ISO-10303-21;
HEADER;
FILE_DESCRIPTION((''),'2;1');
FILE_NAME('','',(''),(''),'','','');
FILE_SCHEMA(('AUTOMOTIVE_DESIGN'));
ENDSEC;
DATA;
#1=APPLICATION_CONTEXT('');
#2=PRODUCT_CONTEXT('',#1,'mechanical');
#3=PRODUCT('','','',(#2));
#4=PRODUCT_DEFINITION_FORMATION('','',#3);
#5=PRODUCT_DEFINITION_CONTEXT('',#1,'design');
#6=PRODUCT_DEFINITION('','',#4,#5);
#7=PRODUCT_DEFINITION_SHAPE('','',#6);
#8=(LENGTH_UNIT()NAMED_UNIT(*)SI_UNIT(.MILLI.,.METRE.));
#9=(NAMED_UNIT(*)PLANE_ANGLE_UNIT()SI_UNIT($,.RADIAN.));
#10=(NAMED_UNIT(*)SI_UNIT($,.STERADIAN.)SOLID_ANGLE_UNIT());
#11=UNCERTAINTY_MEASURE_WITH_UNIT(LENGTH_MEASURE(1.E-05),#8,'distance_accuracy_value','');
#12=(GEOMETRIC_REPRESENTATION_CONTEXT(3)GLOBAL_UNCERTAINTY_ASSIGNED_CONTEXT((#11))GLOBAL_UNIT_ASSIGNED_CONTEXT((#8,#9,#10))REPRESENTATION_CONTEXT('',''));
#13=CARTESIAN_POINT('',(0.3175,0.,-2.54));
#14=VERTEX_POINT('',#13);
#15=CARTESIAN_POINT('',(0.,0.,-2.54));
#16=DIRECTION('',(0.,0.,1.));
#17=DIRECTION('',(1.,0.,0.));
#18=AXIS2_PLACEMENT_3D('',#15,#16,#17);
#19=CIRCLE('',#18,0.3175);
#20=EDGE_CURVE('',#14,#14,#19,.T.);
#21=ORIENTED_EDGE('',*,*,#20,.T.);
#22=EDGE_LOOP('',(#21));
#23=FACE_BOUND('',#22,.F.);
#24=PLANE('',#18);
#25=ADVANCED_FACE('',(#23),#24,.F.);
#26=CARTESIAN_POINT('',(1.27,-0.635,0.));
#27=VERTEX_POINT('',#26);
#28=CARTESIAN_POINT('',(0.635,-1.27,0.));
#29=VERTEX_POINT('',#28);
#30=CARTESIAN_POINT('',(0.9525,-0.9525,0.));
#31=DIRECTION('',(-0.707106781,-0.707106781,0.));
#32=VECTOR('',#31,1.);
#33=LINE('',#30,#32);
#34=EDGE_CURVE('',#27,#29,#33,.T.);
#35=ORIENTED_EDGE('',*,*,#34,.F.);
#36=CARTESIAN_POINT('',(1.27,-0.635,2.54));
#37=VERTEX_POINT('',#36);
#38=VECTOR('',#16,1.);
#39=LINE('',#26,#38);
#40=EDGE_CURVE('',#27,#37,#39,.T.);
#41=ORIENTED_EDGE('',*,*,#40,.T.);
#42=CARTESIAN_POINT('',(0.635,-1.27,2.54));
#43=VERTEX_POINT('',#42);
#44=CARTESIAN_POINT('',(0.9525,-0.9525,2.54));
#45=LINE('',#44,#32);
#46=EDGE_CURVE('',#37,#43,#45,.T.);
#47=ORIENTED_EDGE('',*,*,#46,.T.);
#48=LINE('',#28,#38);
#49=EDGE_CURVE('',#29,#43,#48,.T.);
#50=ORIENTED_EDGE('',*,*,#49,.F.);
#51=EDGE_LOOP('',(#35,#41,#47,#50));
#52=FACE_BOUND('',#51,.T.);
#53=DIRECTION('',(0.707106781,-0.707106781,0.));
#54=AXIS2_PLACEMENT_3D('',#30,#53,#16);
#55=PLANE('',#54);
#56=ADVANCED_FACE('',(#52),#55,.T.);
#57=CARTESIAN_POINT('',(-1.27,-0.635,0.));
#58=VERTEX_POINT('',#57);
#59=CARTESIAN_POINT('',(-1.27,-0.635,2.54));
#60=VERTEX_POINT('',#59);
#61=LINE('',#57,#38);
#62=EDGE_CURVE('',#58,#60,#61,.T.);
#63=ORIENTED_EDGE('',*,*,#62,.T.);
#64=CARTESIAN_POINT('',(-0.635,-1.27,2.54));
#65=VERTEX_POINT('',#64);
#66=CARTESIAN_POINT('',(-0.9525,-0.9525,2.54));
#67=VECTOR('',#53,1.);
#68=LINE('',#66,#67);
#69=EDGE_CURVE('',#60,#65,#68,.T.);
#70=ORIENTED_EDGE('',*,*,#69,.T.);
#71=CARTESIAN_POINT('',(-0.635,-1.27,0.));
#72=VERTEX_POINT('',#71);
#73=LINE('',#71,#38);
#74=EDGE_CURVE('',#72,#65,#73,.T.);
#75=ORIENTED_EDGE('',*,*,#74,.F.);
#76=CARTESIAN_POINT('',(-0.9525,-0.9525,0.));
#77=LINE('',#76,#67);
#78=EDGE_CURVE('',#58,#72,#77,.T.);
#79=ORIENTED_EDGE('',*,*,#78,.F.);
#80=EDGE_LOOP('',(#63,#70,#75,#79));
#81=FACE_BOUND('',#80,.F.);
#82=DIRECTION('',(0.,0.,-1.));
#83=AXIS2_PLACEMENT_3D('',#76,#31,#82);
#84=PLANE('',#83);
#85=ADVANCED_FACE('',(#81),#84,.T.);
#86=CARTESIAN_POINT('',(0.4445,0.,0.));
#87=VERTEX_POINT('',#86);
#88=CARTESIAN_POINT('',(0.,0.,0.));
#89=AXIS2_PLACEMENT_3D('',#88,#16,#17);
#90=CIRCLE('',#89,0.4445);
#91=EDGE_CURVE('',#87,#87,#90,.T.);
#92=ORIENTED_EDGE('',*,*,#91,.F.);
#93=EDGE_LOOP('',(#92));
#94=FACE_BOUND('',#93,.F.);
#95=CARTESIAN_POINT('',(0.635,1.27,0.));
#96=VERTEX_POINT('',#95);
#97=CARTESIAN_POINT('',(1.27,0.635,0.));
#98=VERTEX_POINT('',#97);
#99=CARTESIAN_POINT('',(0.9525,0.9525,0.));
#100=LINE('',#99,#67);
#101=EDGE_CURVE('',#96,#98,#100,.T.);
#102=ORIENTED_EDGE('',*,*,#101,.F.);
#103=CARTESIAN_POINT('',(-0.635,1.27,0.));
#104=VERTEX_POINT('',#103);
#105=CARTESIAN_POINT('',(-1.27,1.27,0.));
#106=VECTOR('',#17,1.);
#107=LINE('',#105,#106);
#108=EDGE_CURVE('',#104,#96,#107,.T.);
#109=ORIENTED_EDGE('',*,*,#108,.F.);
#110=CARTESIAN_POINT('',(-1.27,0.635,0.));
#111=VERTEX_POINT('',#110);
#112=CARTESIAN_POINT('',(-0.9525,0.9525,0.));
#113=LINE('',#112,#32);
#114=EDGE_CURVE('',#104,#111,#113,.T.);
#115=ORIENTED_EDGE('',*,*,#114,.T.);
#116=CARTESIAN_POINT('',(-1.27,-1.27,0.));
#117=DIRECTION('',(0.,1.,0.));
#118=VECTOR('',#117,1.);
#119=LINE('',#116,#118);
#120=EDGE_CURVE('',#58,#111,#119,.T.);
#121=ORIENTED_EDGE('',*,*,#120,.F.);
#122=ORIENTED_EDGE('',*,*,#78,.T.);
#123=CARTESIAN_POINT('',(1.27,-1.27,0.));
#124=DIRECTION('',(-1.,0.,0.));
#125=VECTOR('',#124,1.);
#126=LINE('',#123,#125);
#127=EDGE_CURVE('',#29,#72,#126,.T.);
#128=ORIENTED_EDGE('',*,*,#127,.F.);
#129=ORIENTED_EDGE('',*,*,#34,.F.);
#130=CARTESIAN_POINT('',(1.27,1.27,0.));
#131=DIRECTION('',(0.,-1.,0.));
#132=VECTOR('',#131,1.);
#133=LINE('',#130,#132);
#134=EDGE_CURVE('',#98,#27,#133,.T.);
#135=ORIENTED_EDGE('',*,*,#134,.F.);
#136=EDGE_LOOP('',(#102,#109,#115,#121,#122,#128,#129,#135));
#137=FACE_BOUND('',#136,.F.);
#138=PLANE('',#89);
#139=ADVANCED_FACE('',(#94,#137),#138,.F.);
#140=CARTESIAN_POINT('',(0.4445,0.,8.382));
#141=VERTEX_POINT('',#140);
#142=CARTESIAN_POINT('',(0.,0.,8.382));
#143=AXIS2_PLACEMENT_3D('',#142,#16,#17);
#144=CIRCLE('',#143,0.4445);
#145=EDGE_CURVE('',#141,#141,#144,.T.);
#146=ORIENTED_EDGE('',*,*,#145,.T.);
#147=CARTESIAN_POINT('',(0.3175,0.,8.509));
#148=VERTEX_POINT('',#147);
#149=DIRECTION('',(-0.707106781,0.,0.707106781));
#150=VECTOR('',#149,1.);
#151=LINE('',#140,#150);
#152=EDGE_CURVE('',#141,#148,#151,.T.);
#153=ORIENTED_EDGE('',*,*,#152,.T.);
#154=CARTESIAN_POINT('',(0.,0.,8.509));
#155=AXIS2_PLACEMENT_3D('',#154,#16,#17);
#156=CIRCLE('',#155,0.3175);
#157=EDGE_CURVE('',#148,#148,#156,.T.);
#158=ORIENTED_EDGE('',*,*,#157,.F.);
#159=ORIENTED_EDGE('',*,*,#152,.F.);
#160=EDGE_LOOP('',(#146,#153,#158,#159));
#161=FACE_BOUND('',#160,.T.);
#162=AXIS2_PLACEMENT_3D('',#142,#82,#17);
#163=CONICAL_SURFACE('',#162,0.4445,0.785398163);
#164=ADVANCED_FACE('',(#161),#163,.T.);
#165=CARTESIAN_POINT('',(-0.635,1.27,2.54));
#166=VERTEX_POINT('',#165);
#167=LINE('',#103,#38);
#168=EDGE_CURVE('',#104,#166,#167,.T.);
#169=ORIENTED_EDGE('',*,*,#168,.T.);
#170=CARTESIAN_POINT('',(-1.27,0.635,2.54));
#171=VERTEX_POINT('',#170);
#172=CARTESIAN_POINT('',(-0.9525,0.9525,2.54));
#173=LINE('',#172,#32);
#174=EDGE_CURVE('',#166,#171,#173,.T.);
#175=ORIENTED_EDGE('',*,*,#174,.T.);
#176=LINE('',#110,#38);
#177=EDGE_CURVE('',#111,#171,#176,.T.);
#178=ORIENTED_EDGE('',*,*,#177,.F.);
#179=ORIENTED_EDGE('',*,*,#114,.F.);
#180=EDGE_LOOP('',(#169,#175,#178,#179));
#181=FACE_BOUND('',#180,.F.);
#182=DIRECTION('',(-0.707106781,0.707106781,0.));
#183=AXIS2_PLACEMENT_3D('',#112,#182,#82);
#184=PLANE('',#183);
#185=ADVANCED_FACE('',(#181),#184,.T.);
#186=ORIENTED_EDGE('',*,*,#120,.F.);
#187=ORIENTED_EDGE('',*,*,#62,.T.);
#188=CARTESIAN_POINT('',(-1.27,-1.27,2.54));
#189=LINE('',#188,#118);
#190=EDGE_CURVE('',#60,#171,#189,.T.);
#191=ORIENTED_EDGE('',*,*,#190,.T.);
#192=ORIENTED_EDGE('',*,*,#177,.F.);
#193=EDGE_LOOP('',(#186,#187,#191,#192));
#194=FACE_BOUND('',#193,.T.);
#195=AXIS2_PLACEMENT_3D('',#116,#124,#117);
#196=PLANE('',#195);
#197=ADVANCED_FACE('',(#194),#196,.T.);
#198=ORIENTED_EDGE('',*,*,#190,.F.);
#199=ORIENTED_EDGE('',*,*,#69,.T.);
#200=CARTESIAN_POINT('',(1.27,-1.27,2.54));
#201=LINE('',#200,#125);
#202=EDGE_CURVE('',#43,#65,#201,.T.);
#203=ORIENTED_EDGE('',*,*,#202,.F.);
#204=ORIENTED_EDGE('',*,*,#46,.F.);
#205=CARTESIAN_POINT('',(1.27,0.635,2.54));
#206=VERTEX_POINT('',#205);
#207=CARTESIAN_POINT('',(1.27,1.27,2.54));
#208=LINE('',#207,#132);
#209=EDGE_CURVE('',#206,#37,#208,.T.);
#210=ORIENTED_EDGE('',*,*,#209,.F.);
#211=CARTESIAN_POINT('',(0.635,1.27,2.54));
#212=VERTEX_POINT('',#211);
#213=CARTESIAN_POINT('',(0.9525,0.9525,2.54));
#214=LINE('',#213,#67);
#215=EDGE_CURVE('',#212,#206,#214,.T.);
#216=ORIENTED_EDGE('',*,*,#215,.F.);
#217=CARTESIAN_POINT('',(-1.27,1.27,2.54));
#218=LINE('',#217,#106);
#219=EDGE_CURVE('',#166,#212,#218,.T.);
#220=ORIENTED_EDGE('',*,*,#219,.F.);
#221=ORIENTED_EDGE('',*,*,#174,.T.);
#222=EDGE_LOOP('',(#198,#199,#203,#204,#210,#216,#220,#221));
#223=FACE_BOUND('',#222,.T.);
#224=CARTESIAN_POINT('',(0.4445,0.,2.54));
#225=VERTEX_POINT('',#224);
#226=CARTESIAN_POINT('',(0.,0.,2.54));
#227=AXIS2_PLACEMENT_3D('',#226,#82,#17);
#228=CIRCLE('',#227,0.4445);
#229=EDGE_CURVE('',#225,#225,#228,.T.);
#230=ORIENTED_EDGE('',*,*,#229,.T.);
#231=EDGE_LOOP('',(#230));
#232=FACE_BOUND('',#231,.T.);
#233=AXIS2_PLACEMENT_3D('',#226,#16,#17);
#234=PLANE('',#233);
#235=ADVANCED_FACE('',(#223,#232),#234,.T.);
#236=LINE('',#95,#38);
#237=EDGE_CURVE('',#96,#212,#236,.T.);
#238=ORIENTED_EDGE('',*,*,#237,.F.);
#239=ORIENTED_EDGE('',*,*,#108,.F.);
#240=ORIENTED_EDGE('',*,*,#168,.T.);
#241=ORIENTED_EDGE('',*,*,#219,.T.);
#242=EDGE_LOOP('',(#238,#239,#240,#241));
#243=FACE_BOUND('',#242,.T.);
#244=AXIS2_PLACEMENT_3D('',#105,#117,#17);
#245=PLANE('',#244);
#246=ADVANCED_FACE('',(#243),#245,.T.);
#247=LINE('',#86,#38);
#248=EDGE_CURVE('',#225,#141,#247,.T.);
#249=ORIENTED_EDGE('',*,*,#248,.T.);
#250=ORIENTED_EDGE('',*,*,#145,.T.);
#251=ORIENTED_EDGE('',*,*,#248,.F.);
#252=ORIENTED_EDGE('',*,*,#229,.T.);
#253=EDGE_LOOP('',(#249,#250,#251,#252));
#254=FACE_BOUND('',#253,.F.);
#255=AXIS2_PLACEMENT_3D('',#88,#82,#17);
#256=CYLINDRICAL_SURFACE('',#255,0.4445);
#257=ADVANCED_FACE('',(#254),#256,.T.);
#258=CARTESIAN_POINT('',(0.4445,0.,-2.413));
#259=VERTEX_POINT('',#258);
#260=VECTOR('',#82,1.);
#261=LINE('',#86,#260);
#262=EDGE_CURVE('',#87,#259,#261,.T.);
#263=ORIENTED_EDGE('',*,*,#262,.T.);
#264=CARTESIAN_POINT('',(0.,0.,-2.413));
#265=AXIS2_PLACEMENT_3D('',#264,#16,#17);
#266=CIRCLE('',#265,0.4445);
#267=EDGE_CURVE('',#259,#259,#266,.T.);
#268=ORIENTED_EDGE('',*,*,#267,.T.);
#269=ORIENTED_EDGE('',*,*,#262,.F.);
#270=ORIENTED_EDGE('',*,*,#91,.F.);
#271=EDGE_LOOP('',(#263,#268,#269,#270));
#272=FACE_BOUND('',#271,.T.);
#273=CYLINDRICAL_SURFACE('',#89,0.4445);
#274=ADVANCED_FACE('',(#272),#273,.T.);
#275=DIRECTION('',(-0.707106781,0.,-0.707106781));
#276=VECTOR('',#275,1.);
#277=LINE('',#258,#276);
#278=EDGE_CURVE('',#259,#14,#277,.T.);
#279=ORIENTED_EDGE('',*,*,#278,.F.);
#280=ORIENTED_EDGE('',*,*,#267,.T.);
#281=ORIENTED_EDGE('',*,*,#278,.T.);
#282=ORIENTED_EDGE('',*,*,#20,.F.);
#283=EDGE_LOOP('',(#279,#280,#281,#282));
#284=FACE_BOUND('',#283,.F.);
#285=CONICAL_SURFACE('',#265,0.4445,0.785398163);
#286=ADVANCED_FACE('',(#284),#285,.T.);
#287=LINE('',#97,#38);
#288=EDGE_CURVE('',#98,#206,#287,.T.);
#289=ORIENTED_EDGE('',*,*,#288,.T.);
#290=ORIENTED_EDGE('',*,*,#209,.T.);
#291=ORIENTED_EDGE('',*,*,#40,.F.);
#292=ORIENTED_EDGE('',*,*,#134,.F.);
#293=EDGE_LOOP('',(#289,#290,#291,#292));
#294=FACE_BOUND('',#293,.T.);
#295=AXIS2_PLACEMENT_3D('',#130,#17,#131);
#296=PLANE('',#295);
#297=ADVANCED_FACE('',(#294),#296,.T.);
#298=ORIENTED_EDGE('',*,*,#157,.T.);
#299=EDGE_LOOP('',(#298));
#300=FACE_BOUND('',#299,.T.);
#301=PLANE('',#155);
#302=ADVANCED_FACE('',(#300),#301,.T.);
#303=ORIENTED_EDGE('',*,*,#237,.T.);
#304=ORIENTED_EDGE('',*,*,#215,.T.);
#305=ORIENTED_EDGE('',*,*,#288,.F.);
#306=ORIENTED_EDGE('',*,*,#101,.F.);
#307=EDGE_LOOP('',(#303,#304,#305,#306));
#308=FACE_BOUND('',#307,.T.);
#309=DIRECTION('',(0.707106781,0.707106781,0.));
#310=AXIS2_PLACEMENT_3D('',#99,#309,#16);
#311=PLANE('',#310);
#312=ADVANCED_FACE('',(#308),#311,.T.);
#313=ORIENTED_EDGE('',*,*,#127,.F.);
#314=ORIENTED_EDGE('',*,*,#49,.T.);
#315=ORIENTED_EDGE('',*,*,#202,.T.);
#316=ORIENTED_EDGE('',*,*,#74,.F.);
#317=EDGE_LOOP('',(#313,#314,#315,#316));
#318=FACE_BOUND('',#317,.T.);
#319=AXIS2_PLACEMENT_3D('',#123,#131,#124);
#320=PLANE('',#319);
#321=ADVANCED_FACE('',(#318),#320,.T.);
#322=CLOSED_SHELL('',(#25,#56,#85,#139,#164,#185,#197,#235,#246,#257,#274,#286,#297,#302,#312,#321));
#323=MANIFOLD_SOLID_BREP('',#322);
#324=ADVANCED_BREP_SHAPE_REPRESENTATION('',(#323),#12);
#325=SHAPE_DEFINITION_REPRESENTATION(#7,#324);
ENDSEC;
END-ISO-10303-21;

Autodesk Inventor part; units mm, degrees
ref_plane "YZ Plane" through (0, 0, 0) normal (1, 0, 0) x (0, 1, 0)
ref_plane "XZ Plane" through (0, 0, 0) normal (0, 1, 0) x (-1, 0, 0)
ref_plane "XY Plane" through (0, 0, 0) normal (0, 0, 1) x (1, 0, 0)
sketch "Sketch1" plane through (0, 0, 0) normal (0, 0, 1) x (1, 0, 0)
  circle A0 centre (0, 0) radius 0.4445
  dimension "d0" = 0.889
extrude "Extrusion1" add sketch "Sketch1" along normal blind 8.509 and the other way blind 2.54
chamfer "Chamfer1" distance 0.127 angle 45 2 edges at (-0.4445, 0, 8.509) (-0.4445, 0, -2.54)
sketch "Sketch2" plane through (0, 0, 0) normal (0, 0, 1) x (1, 0, 0)
  line L0 (-1.27, 1.27) -> (1.27, 1.27)
  line L1 (1.27, 1.27) -> (1.27, -1.27)
  line L2 (1.27, -1.27) -> (-1.27, -1.27)
  line L3 (-1.27, -1.27) -> (-1.27, 1.27)
  point P0 (0, 0)
  point P1 (1.27, 0)
  point P2 (0, 1.27)
  dimension "d8" = 2.54
  dimension "d9" = 2.54
extrude "Extrusion2" add sketch "Sketch2" along normal blind 2.54
chamfer "Chamfer2" distance 0.635 angle 45 4 edges at (1.27, 1.27, 1.27) (-1.27, 1.27, 1.27) (1.27, -1.27, 1.27) (-1.27, -1.27, 1.27)
properties part number "Pin"
